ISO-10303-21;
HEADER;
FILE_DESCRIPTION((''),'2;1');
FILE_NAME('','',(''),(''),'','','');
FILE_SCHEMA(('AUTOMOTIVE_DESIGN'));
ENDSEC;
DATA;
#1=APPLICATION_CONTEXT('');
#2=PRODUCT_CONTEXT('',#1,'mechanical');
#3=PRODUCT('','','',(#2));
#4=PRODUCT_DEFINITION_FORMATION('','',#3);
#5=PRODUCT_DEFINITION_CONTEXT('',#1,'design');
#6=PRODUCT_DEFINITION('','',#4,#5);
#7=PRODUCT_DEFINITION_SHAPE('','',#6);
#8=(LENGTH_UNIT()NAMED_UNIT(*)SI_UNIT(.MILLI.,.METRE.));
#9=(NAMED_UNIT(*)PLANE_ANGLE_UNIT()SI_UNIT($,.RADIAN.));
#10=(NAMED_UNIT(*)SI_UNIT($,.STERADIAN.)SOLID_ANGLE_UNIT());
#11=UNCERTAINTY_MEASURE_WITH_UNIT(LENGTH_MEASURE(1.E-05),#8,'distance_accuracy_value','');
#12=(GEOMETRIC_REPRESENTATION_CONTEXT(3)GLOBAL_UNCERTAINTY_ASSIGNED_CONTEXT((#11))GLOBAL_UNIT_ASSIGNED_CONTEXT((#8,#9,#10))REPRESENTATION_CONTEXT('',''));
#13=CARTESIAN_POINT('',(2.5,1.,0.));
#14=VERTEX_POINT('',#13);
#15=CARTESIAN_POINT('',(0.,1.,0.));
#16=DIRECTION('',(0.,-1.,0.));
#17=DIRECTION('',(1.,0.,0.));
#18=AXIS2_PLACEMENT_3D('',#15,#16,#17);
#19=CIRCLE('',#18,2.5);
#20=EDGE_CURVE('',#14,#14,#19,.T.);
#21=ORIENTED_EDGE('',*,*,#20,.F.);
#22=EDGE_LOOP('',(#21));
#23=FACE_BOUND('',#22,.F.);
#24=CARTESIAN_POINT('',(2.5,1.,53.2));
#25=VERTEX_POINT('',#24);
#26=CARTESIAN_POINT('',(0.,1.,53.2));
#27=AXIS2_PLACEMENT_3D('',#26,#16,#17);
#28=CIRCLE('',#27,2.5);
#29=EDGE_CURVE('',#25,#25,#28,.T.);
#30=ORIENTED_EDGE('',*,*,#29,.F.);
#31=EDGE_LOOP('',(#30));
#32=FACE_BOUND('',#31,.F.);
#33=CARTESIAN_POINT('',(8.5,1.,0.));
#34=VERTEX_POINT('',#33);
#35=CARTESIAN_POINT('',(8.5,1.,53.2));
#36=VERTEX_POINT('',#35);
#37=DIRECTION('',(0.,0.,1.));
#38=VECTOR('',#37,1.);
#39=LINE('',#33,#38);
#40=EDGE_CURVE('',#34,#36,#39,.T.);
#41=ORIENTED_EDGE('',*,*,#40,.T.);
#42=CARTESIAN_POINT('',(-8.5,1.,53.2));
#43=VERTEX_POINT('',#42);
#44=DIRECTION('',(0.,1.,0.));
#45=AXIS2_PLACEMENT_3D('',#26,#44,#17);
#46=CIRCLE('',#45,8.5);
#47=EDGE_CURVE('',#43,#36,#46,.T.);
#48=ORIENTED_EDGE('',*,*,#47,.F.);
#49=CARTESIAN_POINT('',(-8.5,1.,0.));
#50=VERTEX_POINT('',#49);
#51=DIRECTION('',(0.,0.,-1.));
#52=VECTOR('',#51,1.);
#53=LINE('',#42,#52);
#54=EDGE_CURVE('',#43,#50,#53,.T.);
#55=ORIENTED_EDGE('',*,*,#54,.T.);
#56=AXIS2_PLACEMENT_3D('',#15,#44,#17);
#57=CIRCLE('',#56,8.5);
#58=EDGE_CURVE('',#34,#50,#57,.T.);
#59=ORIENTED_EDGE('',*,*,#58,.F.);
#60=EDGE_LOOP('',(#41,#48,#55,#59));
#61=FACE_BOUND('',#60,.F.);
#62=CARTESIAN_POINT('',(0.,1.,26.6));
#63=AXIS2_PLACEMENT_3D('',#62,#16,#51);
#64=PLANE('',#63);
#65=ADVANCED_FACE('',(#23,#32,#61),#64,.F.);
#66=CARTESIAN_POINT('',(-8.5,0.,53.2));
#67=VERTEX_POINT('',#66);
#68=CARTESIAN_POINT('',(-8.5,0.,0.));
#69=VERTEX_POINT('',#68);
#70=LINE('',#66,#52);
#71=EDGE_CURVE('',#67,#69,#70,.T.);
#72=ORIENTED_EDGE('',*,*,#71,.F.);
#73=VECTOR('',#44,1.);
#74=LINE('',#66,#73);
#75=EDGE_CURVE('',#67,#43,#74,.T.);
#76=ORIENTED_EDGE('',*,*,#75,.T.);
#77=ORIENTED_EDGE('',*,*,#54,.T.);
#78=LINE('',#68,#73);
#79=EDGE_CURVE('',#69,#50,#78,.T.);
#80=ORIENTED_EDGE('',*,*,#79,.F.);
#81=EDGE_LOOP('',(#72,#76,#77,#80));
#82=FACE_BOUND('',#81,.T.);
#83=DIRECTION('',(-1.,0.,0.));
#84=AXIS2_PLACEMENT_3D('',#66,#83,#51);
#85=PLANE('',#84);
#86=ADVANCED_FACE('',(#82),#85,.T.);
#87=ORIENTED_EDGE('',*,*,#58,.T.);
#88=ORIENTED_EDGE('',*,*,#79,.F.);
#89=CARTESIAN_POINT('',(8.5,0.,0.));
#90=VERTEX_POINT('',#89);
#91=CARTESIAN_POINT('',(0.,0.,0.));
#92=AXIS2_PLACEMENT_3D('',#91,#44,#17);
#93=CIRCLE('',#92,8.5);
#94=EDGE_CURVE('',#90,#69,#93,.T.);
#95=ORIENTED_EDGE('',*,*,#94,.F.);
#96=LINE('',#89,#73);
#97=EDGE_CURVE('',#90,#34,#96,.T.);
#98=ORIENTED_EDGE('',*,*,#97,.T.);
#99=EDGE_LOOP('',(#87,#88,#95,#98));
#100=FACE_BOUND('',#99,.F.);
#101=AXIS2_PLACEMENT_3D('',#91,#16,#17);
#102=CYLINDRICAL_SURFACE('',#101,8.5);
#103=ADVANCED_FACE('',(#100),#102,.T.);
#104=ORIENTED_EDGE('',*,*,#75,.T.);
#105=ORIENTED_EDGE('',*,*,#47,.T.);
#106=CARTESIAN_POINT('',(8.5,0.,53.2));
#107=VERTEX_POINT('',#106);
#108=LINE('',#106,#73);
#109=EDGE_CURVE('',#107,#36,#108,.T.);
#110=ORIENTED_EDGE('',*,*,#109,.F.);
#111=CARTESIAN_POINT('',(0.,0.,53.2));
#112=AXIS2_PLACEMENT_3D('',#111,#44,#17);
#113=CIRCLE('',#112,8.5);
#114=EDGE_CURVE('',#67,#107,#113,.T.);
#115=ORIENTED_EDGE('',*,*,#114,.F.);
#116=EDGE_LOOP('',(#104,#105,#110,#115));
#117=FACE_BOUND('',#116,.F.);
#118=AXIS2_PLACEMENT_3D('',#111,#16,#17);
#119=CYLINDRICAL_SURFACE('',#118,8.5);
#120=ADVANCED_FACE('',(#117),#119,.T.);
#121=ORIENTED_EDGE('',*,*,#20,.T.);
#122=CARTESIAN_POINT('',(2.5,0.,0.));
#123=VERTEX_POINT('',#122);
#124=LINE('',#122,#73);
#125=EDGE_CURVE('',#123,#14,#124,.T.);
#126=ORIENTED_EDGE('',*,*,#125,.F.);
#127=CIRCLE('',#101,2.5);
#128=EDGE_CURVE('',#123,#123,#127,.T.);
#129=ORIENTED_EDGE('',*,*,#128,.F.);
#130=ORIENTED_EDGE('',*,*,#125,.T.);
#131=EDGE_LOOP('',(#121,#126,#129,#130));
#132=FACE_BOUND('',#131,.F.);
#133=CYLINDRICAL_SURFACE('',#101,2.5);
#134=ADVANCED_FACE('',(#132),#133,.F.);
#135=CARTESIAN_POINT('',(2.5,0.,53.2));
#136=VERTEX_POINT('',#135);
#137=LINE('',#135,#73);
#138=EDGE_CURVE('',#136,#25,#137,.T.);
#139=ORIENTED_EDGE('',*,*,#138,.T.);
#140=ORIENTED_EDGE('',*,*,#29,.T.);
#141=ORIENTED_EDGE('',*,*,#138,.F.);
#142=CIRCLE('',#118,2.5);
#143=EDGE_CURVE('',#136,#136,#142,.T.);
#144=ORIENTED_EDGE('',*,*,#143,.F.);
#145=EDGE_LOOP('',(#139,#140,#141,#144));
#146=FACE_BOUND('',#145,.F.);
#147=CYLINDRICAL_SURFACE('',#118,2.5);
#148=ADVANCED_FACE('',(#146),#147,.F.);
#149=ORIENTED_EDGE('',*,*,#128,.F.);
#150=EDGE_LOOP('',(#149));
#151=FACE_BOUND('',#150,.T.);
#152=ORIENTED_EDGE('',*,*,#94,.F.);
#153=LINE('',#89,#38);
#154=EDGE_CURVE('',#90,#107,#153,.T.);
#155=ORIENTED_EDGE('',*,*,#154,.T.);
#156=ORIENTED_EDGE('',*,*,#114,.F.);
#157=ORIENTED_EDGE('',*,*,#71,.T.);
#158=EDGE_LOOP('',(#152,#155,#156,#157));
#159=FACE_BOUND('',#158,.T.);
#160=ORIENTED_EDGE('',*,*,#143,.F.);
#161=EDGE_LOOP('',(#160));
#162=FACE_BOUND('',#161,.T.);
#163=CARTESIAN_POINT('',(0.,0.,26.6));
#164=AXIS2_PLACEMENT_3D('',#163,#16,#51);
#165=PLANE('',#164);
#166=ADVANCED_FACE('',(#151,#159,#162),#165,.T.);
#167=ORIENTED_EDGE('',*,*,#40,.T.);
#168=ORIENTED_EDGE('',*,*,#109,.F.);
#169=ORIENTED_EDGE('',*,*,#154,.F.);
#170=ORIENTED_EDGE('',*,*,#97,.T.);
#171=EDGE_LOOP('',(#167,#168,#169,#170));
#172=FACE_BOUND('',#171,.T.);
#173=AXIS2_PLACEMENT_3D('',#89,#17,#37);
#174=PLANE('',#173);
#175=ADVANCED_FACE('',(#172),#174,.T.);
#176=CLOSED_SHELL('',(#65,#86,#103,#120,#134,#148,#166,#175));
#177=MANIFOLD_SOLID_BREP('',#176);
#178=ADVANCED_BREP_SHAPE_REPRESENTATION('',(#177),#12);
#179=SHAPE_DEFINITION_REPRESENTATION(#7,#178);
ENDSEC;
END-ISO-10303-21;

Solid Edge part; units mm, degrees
sketch "Sketch1" plane through (0, 0, 0) normal (0, -1, 0) x (1, 0, 0)
  line L0 (8.5, 0) -> (8.5, 53.2)
  line L1 (-8.5, 53.2) -> (-8.5, 0)
  arc A0 (-8.5, 53.2) -> (8.5, 53.2) centre (0, 53.2) cw
  arc A1 (8.5, 0) -> (-8.5, 0) centre (0, 0) cw
  circle A2 centre (0, 53.2) radius 2.5
  circle A3 centre (0, 0) radius 2.5
extrude "Protrusion1" add sketch "Sketch1" against normal blind 1
